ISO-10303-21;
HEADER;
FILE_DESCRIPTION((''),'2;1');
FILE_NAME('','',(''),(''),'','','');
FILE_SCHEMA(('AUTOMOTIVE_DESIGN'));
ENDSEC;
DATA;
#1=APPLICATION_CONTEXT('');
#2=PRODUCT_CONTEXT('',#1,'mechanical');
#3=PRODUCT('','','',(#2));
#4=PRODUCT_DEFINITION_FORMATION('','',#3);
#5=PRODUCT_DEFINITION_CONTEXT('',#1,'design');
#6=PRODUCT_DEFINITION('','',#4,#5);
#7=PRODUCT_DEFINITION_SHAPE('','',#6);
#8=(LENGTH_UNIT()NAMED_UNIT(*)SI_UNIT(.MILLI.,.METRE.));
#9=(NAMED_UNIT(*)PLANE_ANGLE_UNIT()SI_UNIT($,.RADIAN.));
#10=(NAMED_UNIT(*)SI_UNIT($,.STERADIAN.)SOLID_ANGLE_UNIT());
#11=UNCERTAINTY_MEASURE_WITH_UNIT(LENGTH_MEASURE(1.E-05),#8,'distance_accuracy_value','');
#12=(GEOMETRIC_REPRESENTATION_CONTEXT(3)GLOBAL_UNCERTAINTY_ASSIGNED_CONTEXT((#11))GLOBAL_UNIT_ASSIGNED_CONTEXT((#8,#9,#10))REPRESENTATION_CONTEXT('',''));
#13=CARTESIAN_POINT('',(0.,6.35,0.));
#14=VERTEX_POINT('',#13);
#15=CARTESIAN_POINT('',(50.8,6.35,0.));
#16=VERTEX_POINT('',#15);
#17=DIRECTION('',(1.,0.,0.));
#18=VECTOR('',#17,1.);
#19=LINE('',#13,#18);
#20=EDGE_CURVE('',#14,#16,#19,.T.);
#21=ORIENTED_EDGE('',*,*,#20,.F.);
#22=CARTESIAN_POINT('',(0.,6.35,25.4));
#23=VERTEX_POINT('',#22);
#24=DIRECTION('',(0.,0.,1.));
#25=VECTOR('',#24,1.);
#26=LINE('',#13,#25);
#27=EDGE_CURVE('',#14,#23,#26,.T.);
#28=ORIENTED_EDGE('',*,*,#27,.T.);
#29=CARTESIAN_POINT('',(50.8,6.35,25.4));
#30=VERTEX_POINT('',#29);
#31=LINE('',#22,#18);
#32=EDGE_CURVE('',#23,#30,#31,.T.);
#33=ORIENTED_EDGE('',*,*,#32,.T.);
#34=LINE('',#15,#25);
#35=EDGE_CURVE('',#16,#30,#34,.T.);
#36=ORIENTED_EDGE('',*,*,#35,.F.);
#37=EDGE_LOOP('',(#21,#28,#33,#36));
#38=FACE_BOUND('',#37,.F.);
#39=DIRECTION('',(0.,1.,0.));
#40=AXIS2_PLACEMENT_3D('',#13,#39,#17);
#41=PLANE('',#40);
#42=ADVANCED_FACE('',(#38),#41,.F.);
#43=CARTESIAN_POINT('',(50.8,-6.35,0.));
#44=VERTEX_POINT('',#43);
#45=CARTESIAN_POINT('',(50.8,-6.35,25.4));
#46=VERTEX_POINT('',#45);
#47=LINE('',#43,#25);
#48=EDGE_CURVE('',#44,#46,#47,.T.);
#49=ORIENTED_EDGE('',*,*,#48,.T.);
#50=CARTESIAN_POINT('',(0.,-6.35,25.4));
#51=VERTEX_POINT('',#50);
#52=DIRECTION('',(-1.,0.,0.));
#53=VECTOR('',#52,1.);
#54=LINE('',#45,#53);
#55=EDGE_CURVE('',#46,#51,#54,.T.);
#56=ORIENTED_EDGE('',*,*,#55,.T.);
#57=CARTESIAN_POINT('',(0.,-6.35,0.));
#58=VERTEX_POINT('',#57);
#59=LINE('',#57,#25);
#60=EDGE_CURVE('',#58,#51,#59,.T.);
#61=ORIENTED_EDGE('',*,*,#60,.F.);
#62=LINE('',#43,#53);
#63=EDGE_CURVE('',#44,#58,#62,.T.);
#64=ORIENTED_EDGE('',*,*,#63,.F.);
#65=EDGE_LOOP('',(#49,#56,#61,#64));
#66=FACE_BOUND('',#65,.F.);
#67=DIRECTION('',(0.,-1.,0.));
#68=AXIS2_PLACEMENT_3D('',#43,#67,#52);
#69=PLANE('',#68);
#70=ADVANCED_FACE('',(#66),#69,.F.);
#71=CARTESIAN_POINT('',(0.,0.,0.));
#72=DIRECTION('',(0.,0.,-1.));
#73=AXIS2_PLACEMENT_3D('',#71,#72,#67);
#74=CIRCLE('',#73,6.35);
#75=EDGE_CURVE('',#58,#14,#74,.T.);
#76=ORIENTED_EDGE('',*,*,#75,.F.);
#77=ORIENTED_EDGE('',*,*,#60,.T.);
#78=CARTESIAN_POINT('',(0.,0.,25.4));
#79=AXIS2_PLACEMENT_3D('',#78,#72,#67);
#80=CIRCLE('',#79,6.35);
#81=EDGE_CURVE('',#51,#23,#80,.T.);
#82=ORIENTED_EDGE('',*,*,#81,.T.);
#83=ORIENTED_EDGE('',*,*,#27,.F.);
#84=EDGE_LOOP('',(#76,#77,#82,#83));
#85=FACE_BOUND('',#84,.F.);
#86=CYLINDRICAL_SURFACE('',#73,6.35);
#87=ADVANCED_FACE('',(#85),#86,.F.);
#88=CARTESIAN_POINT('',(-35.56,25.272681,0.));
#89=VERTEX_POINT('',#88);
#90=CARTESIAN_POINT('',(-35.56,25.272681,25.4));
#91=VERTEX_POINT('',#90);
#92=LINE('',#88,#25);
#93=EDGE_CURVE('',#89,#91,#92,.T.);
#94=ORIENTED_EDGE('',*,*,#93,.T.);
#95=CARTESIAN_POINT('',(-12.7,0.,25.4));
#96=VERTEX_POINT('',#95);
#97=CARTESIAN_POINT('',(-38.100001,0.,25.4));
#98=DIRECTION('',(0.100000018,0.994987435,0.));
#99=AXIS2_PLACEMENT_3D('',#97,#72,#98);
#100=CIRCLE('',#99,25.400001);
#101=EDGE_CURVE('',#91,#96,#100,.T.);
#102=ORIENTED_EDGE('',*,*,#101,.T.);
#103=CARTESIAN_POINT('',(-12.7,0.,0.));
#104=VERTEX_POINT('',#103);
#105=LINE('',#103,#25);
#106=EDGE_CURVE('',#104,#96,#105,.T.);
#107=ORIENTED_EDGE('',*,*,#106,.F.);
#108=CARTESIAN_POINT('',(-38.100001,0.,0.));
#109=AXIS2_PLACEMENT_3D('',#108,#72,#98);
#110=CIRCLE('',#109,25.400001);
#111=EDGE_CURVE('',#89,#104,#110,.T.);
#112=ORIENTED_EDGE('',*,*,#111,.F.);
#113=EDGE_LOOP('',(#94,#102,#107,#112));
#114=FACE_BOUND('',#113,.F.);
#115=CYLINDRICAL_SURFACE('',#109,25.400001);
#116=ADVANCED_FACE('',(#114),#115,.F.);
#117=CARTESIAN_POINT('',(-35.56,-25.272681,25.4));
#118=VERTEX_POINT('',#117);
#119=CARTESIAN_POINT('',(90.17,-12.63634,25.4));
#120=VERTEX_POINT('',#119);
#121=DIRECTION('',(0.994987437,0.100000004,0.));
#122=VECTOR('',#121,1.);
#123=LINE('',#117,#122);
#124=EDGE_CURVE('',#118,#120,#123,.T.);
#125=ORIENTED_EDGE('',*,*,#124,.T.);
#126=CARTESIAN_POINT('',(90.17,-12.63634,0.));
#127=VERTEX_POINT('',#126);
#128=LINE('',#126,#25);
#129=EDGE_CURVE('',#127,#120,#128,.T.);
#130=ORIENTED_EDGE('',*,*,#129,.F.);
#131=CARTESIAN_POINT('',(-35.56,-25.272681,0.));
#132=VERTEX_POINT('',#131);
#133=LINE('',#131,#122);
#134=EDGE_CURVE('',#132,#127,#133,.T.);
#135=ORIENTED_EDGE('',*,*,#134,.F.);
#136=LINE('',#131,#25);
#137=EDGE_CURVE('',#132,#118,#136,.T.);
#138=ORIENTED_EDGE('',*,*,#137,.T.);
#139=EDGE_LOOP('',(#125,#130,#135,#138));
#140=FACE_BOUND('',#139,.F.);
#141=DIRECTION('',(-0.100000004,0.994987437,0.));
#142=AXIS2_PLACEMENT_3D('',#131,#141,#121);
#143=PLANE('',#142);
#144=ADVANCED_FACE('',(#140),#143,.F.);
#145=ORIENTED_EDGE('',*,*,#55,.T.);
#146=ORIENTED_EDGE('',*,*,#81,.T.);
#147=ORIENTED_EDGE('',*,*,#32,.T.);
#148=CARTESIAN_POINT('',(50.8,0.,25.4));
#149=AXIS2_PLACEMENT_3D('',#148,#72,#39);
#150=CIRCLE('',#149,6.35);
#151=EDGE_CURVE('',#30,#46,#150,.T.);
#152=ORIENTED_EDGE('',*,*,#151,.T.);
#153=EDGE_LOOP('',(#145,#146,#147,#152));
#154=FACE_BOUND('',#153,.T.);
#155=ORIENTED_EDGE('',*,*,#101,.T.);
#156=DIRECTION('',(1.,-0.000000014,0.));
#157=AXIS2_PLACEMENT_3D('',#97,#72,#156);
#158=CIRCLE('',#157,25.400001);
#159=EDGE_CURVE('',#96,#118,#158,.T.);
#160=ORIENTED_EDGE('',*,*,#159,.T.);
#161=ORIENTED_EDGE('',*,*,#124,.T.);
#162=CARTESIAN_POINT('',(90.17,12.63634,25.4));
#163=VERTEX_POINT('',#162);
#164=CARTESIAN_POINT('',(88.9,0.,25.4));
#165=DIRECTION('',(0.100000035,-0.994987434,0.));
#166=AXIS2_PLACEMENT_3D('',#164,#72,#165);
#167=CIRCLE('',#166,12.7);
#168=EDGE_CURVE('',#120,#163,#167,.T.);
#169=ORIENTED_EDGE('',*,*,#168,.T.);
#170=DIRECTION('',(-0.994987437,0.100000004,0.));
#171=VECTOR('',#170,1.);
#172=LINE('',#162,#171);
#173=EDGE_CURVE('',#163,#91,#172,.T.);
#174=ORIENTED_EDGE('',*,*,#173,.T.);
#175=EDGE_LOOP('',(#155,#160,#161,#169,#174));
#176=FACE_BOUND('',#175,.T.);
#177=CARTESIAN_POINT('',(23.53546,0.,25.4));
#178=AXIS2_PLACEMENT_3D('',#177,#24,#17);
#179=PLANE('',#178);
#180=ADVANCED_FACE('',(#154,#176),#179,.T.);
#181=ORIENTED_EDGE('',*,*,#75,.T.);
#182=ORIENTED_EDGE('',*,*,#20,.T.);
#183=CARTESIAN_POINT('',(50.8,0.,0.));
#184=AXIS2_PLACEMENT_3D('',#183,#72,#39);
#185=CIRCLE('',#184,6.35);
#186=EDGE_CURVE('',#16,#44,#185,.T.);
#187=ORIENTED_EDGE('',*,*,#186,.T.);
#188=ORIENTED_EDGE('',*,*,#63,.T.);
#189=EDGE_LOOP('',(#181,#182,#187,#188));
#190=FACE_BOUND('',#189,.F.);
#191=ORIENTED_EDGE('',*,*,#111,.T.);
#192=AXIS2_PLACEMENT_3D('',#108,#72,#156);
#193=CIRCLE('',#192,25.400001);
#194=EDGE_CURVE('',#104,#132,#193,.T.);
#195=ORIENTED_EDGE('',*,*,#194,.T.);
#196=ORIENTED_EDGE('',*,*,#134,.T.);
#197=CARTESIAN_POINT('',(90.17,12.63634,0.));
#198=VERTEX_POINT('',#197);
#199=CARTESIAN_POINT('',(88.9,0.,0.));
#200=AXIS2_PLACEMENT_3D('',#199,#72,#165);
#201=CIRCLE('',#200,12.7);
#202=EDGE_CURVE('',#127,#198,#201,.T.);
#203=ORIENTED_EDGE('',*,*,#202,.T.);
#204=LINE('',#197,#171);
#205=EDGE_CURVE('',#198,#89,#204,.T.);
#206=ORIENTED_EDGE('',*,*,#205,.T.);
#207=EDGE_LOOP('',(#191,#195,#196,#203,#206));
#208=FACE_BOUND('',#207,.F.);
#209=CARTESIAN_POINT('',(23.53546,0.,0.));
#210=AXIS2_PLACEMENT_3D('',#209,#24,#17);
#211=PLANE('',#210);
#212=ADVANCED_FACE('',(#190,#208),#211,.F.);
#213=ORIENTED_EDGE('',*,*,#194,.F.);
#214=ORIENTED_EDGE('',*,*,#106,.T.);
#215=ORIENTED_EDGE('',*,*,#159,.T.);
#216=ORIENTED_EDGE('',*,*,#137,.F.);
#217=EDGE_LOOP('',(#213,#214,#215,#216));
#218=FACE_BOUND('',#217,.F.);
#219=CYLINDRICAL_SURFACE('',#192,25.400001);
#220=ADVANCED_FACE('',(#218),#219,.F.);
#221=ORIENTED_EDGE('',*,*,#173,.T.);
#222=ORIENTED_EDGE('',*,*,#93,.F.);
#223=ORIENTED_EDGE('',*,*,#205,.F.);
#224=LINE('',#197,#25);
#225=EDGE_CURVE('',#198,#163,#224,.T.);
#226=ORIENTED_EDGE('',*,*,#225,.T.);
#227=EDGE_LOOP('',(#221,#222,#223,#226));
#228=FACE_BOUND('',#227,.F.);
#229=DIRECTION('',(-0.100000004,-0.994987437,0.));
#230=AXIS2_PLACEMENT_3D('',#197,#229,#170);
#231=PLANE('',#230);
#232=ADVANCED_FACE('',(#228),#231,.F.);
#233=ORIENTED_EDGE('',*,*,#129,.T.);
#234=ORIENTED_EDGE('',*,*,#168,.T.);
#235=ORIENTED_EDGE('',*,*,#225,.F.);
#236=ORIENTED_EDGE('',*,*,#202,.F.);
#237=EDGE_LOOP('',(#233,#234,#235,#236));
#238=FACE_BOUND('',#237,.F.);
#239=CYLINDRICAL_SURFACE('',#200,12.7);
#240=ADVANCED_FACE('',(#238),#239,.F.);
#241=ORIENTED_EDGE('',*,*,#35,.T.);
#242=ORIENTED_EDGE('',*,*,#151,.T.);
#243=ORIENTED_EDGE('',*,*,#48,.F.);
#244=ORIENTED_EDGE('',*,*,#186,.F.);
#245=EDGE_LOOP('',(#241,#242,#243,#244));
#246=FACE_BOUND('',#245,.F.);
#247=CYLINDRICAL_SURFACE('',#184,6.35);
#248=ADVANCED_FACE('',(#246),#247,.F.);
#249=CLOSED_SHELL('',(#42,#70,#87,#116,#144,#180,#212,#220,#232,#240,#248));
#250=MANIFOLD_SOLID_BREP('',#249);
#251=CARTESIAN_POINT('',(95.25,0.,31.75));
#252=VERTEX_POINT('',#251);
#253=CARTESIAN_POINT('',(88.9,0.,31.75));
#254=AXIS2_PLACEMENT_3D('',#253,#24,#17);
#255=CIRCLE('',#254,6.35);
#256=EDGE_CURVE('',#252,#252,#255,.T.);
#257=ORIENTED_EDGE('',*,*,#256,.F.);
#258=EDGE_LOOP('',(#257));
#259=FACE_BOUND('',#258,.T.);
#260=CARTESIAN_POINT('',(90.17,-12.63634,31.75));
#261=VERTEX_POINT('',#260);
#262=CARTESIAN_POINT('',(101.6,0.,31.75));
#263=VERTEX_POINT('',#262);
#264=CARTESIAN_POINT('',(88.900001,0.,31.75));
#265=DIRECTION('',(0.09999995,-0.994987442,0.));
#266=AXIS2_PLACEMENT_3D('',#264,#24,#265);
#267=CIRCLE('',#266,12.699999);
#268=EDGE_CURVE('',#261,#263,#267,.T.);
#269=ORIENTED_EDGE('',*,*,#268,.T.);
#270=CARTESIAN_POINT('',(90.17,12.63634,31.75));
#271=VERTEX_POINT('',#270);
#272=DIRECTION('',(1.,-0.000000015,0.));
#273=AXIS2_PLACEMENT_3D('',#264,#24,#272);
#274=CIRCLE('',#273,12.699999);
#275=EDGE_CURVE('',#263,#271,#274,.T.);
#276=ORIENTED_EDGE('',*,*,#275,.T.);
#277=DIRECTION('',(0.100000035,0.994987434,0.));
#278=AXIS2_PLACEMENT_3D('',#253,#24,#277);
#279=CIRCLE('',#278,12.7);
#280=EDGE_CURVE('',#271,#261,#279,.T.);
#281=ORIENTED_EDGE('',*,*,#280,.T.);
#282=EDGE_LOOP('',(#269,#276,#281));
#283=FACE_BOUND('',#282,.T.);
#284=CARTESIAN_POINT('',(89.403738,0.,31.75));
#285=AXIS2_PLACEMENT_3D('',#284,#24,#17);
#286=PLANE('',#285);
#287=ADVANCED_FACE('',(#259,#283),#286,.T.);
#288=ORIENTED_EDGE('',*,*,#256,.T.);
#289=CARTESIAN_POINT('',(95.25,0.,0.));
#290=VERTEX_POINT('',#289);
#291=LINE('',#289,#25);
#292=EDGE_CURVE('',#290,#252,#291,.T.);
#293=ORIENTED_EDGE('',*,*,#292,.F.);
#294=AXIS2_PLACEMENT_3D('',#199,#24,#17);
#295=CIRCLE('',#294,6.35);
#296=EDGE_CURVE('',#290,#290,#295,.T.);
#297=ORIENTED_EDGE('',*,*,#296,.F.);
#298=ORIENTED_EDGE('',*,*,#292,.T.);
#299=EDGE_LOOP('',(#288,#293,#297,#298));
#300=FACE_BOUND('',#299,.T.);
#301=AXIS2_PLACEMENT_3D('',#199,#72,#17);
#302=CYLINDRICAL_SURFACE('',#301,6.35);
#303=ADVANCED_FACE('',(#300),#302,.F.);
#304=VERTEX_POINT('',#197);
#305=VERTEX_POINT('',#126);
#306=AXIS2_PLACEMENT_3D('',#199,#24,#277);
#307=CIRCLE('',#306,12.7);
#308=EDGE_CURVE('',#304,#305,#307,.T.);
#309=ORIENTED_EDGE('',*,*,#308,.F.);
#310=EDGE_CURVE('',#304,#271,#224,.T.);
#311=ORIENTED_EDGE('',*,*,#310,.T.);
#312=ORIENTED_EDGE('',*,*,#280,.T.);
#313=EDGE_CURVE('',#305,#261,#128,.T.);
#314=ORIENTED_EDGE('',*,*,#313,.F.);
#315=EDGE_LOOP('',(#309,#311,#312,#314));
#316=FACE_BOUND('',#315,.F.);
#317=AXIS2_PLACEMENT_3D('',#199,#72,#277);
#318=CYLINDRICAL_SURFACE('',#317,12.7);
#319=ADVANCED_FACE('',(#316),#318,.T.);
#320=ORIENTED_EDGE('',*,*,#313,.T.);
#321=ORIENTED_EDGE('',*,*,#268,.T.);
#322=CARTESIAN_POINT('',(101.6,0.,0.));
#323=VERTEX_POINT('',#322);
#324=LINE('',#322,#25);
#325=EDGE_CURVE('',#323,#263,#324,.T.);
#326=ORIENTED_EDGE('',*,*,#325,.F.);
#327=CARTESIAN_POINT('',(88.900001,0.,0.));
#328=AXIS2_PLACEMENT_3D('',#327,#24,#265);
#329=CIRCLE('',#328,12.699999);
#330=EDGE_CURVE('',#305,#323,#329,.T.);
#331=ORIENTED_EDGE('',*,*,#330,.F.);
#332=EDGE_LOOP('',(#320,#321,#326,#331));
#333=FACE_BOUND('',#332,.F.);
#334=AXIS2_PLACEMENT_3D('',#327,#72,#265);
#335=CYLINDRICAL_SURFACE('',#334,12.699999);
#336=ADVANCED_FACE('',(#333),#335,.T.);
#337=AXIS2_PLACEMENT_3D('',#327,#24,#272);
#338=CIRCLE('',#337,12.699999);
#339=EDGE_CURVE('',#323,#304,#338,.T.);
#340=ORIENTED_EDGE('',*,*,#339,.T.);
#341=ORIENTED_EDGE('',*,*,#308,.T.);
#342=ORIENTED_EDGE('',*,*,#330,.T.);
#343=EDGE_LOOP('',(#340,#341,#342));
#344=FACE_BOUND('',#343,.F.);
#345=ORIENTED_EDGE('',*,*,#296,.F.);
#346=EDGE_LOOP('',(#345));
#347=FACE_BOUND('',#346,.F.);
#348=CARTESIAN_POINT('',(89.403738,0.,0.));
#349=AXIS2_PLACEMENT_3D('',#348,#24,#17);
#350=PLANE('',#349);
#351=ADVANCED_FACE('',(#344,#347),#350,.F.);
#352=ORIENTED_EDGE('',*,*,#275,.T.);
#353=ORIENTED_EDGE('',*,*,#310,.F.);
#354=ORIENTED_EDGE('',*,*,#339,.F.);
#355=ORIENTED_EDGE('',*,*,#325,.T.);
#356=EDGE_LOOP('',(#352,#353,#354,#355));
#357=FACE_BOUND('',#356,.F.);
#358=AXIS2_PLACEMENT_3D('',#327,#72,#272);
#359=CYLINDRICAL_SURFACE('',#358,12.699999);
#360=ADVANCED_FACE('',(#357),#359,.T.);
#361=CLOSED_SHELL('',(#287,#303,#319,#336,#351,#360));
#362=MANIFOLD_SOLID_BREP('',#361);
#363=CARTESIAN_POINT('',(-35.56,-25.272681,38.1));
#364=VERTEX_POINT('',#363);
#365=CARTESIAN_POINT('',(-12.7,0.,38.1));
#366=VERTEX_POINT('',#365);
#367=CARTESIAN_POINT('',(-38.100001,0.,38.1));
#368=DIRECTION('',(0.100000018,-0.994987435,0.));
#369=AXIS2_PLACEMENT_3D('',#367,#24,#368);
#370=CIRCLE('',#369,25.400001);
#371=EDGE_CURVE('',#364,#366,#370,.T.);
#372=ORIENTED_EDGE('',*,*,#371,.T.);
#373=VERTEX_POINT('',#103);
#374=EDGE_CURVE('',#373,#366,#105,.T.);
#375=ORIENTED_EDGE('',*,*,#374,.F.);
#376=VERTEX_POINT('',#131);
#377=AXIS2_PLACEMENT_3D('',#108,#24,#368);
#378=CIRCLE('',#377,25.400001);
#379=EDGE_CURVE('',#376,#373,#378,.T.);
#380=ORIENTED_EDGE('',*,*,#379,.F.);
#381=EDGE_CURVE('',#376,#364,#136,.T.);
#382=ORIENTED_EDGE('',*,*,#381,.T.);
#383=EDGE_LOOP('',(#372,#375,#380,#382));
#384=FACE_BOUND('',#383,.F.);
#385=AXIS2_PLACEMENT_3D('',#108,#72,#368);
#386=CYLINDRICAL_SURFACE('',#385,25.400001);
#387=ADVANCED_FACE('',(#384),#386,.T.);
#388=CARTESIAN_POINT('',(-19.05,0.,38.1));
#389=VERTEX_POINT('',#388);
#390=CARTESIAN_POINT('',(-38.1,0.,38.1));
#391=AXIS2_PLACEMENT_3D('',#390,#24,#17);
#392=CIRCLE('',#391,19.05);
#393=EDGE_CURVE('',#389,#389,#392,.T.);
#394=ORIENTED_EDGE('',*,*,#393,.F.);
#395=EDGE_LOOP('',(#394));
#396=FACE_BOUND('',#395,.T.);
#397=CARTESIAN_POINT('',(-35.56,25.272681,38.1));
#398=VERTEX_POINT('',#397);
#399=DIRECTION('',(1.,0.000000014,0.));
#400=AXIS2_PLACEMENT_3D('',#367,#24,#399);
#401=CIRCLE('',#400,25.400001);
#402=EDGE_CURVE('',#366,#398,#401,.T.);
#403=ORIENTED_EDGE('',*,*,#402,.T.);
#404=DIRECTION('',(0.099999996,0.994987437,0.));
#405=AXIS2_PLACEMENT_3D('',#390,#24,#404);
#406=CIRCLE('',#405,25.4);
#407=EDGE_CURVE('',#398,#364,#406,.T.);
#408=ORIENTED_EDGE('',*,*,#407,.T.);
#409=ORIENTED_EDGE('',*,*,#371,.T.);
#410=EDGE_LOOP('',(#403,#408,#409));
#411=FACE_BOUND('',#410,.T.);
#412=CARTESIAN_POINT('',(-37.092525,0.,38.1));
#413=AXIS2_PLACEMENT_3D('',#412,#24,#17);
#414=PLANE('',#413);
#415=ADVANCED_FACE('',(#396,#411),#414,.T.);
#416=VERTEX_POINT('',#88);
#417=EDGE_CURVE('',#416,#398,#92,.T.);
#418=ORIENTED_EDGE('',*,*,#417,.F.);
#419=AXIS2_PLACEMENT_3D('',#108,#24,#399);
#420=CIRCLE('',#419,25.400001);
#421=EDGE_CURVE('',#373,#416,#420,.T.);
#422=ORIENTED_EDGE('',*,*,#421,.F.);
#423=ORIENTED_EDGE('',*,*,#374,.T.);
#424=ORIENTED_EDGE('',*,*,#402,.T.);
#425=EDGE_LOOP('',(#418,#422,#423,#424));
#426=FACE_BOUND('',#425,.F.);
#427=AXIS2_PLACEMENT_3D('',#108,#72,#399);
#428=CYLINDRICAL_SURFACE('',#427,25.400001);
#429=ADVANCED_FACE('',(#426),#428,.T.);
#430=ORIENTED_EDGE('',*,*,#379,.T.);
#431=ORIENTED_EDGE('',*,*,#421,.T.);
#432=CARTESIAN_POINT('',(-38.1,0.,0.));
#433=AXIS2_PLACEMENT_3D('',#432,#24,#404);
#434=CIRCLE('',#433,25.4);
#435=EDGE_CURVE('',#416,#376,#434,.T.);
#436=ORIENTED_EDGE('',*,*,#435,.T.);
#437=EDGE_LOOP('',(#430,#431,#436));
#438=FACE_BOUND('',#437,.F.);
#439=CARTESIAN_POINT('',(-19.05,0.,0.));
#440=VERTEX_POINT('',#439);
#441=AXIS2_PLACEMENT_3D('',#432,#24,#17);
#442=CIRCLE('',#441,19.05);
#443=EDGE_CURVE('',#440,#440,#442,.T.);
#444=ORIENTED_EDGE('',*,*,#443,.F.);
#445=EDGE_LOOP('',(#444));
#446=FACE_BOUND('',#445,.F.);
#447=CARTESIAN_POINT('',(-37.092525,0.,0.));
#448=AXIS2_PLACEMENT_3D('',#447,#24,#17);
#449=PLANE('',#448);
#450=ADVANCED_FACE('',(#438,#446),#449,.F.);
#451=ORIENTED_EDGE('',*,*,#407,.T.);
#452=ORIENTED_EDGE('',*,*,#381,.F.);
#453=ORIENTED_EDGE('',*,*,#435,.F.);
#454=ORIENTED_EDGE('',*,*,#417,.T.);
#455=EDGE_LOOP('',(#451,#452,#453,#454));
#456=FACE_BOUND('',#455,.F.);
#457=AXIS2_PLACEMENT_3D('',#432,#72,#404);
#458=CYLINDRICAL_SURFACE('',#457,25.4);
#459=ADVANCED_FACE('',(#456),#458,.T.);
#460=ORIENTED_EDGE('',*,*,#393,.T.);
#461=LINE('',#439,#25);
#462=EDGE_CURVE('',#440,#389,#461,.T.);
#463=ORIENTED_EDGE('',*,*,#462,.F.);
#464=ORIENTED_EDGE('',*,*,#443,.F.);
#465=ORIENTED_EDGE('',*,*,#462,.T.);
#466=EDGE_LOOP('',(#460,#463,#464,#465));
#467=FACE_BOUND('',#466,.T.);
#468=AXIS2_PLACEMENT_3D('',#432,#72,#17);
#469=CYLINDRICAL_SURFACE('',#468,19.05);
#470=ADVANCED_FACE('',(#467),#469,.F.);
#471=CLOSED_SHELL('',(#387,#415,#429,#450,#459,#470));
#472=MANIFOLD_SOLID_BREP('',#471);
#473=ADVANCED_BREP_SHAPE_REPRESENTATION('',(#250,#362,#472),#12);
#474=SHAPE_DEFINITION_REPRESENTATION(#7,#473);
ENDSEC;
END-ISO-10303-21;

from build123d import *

# Parameters (mm, degrees)
F0_R     = 19.05
F1_DEPTH = 38.1
F0_R_2   = 6.35
F2_DEPTH = 31.75
F3_DEPTH = 25.4


with BuildPart() as f1:
    # F0 (on Top) → F1 (new body)
    with BuildSketch(Plane.XY):
        with BuildLine():
            ThreePointArc((-12.7, 0), (-19.262856, 17.038838), (-35.56, 25.272681))
            ThreePointArc((-35.56, 25.272681), (-63.5, 0), (-35.56, -25.272681))
            ThreePointArc((-35.56, -25.272681), (-19.262856, -17.038838), (-12.7, 0))
        make_face()
        with Locations((-38.1, 0)):
            Circle(F0_R, mode=Mode.SUBTRACT)
    extrude(amount=F1_DEPTH)


with BuildPart() as f2:
    # F0 (on Top) → F2 (new body)
    with BuildSketch(Plane.XY):
        with BuildLine():
            ThreePointArc((90.17, -12.63634), (98.318572, -8.519419), (101.6, 0))
            ThreePointArc((101.6, 0), (98.318572, 8.519419), (90.17, 12.63634))
            ThreePointArc((90.17, 12.63634), (76.2, 0), (90.17, -12.63634))
        make_face()
        with Locations((88.9, 0)):
            Circle(F0_R_2, mode=Mode.SUBTRACT)
    extrude(amount=F2_DEPTH)


with BuildPart() as f3:
    # F0 (on Top) → F3 (new body)
    with BuildSketch(Plane.XY):
        with BuildLine():
            ThreePointArc((90.17, -12.63634), (76.2, 0), (90.17, 12.63634))
            Line((90.17, 12.63634), (-35.56, 25.272681))
            ThreePointArc((-35.56, 25.272681), (-19.262856, 17.038838), (-12.7, 0))
            ThreePointArc((-12.7, 0), (-19.262856, -17.038838), (-35.56, -25.272681))
            Line((-35.56, -25.272681), (90.17, -12.63634))
        make_face()
        with BuildLine():
            ThreePointArc((0, -6.35), (-6.35, 0), (0, 6.35))
            Line((0, 6.35), (50.8, 6.35))
            ThreePointArc((50.8, 6.35), (57.15, 0), (50.8, -6.35))
            Line((50.8, -6.35), (0, -6.35))
        make_face(mode=Mode.SUBTRACT)
    extrude(amount=F3_DEPTH)


solid = Compound([f1.part, f2.part, f3.part])
